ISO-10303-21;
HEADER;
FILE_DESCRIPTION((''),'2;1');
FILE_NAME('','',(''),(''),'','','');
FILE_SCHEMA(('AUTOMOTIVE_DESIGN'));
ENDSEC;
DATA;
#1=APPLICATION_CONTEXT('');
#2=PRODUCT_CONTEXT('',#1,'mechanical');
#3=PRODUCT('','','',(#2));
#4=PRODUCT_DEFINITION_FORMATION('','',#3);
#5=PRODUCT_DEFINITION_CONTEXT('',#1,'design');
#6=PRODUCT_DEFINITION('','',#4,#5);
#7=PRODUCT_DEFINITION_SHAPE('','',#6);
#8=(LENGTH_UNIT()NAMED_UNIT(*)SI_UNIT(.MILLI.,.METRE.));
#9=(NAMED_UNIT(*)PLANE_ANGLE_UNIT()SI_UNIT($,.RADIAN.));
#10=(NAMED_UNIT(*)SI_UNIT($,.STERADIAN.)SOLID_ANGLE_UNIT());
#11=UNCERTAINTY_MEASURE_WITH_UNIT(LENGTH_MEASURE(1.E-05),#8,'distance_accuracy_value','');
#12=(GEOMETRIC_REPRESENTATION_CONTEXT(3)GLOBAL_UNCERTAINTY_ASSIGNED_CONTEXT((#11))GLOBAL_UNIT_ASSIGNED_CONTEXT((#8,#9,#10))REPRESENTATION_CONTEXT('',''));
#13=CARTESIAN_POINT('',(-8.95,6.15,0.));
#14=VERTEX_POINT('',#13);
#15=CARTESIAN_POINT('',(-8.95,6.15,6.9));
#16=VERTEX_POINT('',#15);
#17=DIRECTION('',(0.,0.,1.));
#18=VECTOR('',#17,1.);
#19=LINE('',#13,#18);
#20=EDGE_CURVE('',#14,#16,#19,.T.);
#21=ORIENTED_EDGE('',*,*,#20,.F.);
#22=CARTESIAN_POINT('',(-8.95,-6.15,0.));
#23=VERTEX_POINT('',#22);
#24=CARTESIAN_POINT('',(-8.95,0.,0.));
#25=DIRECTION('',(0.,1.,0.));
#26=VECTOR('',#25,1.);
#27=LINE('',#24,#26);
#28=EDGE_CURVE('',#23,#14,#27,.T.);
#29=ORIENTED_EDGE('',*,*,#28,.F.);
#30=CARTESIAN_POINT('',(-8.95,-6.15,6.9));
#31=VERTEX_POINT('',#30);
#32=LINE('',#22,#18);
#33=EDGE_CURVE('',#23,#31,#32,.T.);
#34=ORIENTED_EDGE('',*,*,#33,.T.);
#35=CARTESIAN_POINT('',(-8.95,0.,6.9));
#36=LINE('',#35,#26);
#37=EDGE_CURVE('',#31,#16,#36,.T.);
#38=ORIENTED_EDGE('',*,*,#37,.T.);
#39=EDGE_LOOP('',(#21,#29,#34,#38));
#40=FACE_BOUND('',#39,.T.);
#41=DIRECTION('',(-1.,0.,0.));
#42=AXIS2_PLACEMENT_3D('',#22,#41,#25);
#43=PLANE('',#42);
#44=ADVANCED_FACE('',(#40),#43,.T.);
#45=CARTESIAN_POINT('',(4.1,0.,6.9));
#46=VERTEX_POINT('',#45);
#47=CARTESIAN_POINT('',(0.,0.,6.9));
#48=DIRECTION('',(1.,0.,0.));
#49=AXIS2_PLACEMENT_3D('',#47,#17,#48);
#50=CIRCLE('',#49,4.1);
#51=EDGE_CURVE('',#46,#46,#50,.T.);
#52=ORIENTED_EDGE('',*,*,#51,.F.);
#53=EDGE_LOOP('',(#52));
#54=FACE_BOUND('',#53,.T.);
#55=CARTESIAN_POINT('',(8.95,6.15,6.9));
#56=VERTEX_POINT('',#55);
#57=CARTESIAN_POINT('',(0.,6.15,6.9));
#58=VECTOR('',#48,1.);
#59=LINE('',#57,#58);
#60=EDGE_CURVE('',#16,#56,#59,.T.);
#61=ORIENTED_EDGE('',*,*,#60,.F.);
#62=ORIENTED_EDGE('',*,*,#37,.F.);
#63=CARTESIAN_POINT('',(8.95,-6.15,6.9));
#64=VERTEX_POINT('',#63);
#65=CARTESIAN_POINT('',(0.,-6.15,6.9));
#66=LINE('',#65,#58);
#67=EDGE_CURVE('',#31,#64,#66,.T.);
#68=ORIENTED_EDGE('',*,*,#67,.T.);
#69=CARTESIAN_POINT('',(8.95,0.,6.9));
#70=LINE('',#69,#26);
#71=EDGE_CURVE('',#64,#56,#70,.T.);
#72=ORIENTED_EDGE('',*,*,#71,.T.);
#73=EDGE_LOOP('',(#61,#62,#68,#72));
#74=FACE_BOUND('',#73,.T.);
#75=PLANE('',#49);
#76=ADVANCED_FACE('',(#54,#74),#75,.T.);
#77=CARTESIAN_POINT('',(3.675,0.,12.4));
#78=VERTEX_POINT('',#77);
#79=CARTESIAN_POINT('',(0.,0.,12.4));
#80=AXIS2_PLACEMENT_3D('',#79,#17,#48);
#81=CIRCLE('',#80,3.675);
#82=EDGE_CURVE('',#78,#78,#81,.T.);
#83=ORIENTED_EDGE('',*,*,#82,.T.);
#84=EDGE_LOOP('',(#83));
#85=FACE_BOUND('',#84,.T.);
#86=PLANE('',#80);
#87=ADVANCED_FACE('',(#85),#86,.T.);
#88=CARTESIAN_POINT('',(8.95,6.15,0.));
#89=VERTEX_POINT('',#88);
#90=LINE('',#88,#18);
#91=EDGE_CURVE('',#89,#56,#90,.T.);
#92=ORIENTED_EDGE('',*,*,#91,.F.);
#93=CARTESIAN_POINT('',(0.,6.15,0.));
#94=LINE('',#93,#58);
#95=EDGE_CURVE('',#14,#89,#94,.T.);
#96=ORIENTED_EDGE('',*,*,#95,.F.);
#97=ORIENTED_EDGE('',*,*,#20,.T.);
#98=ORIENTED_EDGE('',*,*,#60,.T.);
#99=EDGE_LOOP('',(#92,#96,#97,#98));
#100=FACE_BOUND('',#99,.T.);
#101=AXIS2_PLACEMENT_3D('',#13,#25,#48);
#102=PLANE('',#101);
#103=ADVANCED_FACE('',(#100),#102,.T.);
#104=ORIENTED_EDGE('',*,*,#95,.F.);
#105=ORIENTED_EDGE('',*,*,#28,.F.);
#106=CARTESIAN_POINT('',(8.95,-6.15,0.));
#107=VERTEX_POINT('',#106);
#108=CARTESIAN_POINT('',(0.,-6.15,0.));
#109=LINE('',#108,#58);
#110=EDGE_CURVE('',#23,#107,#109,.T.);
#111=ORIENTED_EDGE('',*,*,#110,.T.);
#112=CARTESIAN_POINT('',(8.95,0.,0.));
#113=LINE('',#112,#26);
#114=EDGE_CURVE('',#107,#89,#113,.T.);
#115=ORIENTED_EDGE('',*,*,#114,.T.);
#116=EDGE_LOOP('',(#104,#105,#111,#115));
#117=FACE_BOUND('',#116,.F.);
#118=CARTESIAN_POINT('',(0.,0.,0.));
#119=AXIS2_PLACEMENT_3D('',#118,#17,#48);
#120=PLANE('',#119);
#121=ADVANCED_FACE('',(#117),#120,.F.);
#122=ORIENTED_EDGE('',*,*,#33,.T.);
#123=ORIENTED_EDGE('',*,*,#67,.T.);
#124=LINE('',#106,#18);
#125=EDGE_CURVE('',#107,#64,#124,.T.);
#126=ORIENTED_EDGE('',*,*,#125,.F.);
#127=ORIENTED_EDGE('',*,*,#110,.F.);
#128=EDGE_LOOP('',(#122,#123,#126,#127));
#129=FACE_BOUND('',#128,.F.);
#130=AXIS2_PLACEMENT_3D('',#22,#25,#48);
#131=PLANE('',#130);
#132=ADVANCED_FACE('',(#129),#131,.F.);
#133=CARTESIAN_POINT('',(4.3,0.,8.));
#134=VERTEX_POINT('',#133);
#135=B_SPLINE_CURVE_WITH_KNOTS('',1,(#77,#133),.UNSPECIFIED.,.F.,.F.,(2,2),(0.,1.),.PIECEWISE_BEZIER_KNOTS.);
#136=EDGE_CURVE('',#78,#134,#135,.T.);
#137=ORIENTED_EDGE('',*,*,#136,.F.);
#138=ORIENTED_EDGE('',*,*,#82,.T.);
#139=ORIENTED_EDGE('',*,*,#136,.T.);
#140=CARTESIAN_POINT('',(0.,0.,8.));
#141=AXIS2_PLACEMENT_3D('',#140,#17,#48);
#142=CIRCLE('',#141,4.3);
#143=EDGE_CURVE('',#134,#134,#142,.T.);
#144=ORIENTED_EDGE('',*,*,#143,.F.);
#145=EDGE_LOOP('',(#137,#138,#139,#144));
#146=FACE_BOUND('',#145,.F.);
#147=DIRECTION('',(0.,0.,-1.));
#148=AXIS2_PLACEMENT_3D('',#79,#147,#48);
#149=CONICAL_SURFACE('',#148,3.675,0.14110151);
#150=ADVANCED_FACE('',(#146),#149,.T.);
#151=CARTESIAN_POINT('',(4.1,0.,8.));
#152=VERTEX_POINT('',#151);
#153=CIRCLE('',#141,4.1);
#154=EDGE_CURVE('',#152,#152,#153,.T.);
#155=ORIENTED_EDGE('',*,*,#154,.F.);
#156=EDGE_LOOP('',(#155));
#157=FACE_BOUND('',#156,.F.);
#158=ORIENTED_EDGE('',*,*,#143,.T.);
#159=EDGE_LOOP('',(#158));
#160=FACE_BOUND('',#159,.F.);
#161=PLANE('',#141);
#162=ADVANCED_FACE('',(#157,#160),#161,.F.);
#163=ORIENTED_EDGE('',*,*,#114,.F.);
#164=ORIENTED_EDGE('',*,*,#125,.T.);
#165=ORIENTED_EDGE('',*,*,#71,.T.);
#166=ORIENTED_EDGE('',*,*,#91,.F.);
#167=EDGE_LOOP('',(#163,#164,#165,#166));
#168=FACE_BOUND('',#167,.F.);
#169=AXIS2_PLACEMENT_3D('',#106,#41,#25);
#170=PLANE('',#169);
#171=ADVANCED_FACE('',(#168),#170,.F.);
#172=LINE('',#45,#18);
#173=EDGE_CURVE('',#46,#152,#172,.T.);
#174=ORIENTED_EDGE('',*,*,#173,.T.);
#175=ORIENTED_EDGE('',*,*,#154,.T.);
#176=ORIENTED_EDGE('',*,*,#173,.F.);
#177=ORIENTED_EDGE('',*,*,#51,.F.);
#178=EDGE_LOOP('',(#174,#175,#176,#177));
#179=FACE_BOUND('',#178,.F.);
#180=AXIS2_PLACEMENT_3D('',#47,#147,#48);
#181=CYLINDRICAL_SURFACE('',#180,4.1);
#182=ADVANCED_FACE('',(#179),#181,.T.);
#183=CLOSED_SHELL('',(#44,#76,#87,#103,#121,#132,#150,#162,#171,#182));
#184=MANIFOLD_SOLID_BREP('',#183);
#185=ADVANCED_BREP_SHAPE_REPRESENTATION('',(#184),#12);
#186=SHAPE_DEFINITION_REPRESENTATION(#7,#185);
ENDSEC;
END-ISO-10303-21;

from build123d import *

# Parameters (mm, degrees)
F0_W     = 17.9
F0_H     = 12.3
F1_DEPTH = 6.9
F2_R     = 4.1
F3_DEPTH = 1.1
F7_R     = 3.675
F4_R     = 4.3


with BuildPart() as f1:
    # F0 (on Top) → F1 (new body)
    with BuildSketch(Plane.XY):
        Rectangle(F0_W, F0_H)
    extrude(amount=F1_DEPTH)

    # F2 (on face) → F3 (join)
    with BuildSketch(Plane.XY.offset(6.9)):
        Circle(F2_R)
    extrude(amount=F3_DEPTH)

    # F7 (on plane+point) → F8 section 0
    with BuildSketch(Plane.XY.offset(12.4)):
        Circle(F7_R)
    # F4 (on face) → F8 section 1
    with BuildSketch(Plane.XY.offset(8)):
        Circle(F4_R)
    loft()


solid = f1.part
